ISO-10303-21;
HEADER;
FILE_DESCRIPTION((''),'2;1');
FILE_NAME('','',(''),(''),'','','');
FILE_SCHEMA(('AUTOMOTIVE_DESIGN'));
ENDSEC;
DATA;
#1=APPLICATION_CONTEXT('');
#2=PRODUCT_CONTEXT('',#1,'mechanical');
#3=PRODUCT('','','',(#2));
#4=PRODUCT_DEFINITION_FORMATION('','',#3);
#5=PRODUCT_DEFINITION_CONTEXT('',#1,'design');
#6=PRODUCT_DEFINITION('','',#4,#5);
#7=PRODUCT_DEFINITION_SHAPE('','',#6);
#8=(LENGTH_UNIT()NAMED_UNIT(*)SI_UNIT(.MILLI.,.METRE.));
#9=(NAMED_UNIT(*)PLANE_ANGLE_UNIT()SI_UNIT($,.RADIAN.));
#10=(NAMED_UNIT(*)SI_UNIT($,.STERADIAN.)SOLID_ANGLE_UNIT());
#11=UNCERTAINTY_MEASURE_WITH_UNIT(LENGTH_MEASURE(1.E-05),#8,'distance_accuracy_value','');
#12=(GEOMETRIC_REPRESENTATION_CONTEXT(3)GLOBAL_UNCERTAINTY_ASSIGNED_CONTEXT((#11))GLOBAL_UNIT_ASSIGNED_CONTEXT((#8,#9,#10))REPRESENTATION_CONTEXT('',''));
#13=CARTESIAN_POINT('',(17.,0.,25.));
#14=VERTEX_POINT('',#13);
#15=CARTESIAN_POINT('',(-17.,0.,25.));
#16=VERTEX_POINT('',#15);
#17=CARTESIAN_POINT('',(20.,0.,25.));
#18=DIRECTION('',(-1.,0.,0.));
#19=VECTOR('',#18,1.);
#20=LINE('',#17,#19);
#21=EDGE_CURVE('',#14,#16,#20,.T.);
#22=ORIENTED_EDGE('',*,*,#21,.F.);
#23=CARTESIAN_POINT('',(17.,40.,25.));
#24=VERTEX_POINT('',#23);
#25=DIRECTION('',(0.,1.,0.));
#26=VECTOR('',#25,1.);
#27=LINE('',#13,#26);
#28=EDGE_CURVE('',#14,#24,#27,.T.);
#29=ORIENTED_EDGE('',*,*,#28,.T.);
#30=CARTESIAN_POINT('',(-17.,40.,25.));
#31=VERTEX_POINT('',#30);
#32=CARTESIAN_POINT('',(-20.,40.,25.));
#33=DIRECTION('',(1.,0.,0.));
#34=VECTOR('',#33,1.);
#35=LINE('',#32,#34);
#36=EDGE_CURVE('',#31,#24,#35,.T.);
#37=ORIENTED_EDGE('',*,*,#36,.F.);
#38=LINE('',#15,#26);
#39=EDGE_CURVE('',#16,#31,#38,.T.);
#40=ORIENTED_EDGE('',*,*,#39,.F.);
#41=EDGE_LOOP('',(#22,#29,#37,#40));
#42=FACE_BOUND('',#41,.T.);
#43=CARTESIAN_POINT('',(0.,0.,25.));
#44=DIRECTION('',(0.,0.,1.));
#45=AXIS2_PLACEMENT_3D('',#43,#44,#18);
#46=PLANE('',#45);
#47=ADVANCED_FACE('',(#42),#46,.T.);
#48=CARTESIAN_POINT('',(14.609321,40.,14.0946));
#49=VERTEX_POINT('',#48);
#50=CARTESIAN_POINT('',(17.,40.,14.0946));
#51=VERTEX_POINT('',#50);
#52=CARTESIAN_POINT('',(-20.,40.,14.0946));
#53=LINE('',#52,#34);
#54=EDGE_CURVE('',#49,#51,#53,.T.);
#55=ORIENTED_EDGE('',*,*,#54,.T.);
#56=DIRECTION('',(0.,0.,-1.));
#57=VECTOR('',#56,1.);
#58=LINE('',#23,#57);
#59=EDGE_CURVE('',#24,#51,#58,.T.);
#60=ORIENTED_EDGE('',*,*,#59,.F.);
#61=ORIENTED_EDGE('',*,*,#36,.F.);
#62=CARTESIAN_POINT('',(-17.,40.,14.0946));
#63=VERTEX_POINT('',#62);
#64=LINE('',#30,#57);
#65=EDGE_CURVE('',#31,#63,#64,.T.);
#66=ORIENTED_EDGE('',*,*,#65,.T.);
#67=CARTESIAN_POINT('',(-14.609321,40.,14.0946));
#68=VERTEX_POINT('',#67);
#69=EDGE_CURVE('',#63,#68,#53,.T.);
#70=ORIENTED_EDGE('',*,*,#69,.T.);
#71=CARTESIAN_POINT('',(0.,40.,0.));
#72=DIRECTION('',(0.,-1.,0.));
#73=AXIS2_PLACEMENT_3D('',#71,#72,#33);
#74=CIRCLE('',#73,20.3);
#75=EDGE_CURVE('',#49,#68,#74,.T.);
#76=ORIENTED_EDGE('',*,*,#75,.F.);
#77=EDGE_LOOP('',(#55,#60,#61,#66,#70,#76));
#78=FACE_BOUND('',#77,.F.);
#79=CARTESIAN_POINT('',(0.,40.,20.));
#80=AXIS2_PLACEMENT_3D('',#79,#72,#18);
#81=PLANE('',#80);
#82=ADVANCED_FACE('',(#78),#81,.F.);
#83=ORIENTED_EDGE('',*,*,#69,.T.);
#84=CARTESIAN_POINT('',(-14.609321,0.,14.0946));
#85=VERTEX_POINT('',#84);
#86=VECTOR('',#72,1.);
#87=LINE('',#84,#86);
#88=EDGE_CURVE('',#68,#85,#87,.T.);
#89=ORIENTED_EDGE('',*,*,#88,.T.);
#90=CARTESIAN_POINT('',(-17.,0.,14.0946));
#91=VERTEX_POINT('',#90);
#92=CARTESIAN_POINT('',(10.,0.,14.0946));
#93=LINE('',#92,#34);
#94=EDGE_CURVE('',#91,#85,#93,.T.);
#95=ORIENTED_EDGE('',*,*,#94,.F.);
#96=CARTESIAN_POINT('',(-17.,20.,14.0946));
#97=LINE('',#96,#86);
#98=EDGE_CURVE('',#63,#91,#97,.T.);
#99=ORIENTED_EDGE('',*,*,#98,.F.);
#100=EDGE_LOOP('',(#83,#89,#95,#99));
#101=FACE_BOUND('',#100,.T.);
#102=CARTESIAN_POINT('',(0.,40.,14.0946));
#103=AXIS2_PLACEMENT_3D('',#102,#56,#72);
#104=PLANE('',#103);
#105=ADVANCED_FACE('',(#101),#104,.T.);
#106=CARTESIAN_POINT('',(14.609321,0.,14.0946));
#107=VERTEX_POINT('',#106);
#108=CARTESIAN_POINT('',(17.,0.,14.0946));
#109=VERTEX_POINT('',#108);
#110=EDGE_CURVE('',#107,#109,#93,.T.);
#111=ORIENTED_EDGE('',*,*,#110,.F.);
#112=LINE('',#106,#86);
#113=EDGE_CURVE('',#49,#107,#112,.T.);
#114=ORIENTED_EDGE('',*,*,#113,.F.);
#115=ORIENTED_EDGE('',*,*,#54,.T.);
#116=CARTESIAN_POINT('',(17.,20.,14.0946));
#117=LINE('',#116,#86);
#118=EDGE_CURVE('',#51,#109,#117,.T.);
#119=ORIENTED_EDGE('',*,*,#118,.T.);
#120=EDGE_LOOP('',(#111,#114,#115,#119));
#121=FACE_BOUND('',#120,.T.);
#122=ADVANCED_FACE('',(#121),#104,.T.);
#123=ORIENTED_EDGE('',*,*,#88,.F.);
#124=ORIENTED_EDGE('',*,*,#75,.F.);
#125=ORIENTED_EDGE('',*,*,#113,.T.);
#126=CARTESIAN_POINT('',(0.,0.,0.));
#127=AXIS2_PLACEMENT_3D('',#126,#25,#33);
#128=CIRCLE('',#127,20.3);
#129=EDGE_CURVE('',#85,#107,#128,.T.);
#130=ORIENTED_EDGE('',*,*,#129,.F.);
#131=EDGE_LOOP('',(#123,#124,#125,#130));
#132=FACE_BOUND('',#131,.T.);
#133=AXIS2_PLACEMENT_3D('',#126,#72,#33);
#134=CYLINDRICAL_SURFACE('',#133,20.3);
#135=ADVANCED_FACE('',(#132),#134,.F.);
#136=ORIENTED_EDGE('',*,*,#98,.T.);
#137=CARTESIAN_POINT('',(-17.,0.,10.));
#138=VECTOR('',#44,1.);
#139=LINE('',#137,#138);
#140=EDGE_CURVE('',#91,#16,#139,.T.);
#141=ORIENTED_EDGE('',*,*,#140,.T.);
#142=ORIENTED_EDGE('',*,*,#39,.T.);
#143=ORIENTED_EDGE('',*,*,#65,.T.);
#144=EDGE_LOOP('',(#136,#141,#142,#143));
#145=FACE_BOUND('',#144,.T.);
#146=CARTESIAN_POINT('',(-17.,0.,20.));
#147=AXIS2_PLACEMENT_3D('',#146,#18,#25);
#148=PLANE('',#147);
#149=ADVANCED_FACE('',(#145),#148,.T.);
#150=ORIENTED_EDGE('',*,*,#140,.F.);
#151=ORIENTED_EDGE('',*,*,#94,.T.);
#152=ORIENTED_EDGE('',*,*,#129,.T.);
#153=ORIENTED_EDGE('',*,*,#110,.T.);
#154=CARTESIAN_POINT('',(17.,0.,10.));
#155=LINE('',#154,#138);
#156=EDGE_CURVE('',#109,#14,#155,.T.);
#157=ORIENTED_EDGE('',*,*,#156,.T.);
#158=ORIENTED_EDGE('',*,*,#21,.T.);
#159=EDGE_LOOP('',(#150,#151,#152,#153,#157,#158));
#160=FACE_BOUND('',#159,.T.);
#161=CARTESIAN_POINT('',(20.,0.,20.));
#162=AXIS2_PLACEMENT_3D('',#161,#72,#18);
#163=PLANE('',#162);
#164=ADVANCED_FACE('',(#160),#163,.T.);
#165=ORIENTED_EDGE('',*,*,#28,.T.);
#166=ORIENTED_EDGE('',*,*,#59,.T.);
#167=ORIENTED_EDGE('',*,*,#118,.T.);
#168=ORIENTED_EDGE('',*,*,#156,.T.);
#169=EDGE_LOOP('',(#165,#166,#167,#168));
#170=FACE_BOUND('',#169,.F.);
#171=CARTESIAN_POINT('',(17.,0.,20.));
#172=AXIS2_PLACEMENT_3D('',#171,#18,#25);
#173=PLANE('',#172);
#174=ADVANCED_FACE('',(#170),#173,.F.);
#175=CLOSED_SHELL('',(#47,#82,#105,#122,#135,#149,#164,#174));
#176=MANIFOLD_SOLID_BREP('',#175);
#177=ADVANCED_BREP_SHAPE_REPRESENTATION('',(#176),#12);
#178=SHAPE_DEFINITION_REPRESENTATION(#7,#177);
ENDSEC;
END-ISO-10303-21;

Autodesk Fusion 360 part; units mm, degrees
sketch "Sketch1" plane through (0, 0, 0) normal (0, 1, 0) x (1, 0, 0)
  circle A0 centre (0, 0) radius 20
  dimension "d1" = 40
extrude "Extrude1" add sketch "Sketch1" along normal blind 140
sketch "Sketch2" plane through (0, 140, 0) normal (0, 1, 0) x (-1, 0, 0)
  circle A0 centre (0, 0) radius 20
  circle A1 centre (0, 0) radius 17
  dimension "d4" = 34
extrude "Extrude2" add sketch "Sketch2" along normal blind 20 contours A1
sketch "Sketch3" plane through (0, 0, 0) normal (1, 0, 0) x (0, 0, -1)
sketch "Sketch4" plane through (0, 0, 0) normal (0, -1, 0) x (1, 0, 0)
  circle A0 centre (0, 0) radius 20
  line L0 (0, 20) -> (-20, 20)
  line L1 (-20, 20) -> (-20, 10)
  line L2 (-20, 10) -> (20, 10)
  line L3 (20, 10) -> (20, 20)
  line L4 (20, 20) -> (0, 20)
extrude "Extrude3" add sketch "Sketch4" against normal blind 40 contours A0 L2 L3 L4 | A0 L0 L1 L2
sketch "Sketch5" plane through (20, 0, 0) normal (1, 0, 0) x (0, 0, -1)
  line L0 (-20, 0) -> (-10, 0)
  line L1 (-10, 0) -> (-10, 40)
  line L2 (-10, 40) -> (-20, 40)
  line L3 (-20, 40) -> (-20, 0)
sketch "Sketch6" plane through (0, 0, 0) normal (0, 1, 0) x (1, 0, 0)
extrude "Extrude4" add 1 faces at (0, 13.3333, 20) along direction (0, 0, 1) blind 5
sketch "Sketch7" plane through (0, 0, 0) normal (0, 1, 0) x (1, 0, 0)
  circle A0 centre (0, 0) radius 20.3
  dimension "d15" = 40.6
extrude "Extrude5" cut sketch "Sketch7" along normal blind 165
extrude "Extrude6" cut 1 faces at (-20, 13.3333, 20) along direction (1, 0, 0) blind 3
extrude "Extrude7" cut 1 faces at (20, 13.3333, 20) along direction (-1, 0, 0) blind 3
sketch "Sketch8" plane through (0, 0, 0) normal (1, 0, 0) x (0, 0, -1)
  line L0 (-11.0946, 40) -> (-14.0946, 40)
  line L1 (-14.0946, 40) -> (-14.0946, -0.0914)
  line L2 (-14.0946, -0.0914) -> (-11.0946, -0.0914)
  line L3 (-11.0946, -0.0914) -> (-11.0946, 40)
  point P0 (-11.0946, 40)
  dimension "d22" = 3
extrude "Extrude8" cut sketch "Sketch8" along normal blind 20 and the other way blind 20
